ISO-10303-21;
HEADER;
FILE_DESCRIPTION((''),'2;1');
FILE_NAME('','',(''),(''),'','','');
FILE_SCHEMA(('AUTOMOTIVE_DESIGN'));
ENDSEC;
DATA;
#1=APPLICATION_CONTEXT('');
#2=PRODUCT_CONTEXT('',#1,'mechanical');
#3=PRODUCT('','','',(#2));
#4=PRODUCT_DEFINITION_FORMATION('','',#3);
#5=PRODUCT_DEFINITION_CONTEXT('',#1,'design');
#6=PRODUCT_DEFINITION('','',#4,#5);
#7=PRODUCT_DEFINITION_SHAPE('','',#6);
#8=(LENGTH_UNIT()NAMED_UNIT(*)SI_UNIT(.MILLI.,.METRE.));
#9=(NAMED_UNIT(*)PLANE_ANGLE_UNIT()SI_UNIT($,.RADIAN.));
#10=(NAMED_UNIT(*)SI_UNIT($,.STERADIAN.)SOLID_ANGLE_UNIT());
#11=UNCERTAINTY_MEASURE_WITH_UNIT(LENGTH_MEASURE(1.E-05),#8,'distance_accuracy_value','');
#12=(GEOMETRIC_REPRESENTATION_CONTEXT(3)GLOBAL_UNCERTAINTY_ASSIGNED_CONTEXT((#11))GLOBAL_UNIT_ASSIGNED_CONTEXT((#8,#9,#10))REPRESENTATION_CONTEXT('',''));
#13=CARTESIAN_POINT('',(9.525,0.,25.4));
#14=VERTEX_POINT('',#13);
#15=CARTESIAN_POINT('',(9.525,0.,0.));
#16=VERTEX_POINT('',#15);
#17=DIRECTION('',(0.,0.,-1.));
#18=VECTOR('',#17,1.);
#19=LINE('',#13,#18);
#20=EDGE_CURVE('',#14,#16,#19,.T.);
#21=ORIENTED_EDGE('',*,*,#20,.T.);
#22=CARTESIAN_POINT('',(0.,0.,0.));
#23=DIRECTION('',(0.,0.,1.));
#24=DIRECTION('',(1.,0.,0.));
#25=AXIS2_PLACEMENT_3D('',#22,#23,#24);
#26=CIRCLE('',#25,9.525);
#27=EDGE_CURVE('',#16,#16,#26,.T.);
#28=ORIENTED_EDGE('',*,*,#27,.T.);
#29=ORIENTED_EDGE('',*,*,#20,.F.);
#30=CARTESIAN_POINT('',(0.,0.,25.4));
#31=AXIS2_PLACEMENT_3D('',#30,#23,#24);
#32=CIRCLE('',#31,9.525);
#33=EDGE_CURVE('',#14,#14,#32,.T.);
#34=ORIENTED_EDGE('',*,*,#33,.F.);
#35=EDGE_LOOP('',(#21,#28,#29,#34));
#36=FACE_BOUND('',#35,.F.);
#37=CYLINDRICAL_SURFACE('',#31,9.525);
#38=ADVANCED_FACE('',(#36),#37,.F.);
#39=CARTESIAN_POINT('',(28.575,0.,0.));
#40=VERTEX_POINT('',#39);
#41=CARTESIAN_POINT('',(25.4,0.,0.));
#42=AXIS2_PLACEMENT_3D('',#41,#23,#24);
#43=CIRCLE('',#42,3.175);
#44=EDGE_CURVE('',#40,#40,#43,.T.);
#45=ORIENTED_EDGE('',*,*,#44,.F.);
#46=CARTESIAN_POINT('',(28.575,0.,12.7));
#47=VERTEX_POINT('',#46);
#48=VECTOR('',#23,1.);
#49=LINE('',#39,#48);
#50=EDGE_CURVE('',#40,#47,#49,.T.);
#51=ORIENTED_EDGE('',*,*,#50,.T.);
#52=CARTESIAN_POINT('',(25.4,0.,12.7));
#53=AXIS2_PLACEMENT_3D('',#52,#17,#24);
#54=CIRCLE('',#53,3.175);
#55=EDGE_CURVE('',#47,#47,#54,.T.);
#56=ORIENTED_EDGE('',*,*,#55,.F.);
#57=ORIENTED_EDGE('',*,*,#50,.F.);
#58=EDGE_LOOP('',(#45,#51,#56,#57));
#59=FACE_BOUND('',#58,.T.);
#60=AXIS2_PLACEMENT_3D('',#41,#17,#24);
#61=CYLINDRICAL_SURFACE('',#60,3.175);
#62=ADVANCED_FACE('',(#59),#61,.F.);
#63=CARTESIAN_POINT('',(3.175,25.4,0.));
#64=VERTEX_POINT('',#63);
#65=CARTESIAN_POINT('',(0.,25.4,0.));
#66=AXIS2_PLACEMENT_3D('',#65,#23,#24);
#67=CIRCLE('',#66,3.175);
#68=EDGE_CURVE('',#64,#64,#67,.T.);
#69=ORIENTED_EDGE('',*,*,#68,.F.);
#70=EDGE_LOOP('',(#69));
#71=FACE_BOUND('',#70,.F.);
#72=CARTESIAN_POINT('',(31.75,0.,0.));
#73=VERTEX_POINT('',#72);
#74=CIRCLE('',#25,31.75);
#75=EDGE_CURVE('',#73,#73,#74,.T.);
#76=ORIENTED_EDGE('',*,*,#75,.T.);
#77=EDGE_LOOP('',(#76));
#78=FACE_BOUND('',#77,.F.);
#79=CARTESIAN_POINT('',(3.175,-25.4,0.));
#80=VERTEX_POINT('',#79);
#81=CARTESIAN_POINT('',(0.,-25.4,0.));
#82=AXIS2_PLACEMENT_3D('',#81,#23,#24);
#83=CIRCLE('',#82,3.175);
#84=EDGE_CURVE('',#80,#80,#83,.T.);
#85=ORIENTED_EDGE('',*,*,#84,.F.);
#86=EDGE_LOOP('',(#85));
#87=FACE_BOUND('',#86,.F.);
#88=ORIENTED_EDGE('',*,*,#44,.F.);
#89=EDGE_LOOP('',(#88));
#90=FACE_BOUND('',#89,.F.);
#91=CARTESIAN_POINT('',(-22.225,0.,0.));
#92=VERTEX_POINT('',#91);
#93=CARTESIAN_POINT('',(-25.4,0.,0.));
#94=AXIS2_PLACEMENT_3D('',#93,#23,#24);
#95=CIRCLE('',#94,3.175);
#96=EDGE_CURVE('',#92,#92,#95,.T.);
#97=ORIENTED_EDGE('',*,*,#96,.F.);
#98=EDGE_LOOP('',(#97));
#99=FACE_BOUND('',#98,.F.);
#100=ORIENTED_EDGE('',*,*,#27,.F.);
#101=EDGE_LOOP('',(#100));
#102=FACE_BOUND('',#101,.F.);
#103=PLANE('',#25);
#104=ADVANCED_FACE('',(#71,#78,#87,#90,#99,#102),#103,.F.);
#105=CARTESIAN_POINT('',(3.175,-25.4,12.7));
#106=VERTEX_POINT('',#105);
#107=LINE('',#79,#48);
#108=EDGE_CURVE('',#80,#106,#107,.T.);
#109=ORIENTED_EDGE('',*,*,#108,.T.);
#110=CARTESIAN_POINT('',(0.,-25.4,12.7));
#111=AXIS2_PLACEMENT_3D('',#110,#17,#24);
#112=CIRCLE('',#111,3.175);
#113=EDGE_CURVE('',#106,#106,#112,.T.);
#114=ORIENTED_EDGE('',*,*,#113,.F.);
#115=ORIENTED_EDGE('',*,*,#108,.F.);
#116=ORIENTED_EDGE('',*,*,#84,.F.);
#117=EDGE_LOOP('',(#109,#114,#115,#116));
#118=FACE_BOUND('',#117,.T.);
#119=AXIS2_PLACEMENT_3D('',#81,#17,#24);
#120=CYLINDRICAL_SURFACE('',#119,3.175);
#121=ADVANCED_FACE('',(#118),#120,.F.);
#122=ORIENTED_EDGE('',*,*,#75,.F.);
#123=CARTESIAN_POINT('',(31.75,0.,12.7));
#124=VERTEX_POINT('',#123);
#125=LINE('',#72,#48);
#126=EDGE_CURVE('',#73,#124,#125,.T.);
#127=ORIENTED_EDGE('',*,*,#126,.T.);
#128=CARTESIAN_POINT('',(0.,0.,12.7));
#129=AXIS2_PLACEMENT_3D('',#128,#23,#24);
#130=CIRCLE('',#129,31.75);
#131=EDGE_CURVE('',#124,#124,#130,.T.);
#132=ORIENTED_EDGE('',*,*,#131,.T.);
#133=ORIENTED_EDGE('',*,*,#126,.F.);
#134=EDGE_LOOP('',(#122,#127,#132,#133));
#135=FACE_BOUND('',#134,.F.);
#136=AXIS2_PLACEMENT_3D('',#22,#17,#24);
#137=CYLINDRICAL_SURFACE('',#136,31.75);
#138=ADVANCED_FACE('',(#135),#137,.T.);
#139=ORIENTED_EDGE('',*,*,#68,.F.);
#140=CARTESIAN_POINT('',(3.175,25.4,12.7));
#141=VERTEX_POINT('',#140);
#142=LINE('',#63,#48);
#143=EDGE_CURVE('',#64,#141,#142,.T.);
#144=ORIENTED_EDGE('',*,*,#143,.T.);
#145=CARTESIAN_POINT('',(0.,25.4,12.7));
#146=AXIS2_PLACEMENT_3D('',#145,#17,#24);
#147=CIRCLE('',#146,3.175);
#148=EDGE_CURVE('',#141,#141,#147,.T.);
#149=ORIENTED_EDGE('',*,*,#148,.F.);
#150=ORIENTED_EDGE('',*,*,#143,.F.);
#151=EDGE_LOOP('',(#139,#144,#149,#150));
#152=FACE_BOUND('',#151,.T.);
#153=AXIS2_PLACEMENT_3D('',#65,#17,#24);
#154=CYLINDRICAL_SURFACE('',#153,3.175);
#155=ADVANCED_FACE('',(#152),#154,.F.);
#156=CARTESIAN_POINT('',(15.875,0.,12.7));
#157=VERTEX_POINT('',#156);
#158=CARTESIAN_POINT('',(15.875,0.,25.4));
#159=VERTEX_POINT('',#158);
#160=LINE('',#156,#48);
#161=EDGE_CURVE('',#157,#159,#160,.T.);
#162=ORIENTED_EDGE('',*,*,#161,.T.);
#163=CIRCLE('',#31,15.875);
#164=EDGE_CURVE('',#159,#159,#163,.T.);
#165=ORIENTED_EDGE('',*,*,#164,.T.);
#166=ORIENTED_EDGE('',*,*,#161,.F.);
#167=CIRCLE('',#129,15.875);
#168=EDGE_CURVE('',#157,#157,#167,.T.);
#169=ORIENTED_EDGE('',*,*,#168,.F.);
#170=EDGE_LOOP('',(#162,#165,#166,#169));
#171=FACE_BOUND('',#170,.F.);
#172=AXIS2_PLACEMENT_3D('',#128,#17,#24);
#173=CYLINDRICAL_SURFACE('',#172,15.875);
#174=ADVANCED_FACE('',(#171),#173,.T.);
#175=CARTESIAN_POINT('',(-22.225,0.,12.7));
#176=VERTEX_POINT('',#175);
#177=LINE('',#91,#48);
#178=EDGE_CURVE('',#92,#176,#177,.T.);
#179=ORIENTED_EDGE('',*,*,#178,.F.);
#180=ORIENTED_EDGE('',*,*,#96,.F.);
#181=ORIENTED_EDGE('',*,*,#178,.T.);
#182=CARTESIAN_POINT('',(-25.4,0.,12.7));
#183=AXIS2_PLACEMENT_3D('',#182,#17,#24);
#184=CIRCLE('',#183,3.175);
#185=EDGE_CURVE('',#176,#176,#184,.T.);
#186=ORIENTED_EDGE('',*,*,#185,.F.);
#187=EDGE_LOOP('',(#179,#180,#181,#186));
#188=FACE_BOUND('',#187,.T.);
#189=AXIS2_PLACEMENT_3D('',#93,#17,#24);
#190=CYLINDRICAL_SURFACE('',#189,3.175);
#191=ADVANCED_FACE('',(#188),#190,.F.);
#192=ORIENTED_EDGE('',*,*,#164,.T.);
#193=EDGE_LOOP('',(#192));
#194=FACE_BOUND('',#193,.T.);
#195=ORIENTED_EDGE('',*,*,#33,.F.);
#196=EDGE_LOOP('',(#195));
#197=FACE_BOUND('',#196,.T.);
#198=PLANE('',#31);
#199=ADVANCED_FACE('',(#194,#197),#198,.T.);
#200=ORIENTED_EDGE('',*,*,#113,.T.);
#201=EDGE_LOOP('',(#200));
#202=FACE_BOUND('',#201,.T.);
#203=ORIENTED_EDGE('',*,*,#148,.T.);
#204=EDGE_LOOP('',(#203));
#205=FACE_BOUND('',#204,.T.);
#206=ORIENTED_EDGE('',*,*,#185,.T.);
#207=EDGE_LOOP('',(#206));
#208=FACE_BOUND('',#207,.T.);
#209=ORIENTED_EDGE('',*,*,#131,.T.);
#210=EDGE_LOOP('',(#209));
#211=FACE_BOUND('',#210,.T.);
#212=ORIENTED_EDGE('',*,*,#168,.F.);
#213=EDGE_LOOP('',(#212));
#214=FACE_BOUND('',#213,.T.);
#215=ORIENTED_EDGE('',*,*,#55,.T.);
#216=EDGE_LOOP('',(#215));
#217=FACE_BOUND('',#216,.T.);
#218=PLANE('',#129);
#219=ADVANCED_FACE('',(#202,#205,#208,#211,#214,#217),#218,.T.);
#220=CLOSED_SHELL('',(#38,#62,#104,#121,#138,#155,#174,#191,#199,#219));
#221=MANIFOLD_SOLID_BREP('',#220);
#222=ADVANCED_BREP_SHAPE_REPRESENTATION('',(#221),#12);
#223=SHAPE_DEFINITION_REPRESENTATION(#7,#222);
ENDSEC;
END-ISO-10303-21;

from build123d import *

# Parameters (mm, degrees)
F0_R     = 31.75
F1_DEPTH = 12.7
F2_R     = 15.875
F3_DEPTH = 12.7
F4_R     = 3.175
F5_DEPTH = 25.4
F6_R     = 9.525
F7_DEPTH = 25.401


with BuildPart() as f1:
    # F0 (on Top) → F1 (new body)
    with BuildSketch(Plane.XY):
        Circle(F0_R)
    extrude(amount=F1_DEPTH)

    # F2 (on face) → F3 (join)
    with BuildSketch(Plane.XY.offset(12.7)):
        Circle(F2_R)
    extrude(amount=F3_DEPTH)

    # F4 (on Top) → F5 (cut)
    with BuildSketch(Plane.XY):
        with Locations((0, 25.4)):
            Circle(F4_R)
        with Locations((-25.4, 0)):
            Circle(F4_R)
        with Locations((25.4, 0)):
            Circle(F4_R)
        with Locations((0, -25.4)):
            Circle(F4_R)
    extrude(amount=F5_DEPTH, mode=Mode.SUBTRACT)

    # F6 (on face) → F7 (cut, through all)
    with BuildSketch(Plane.XY.offset(25.4)):
        Circle(F6_R)
    extrude(amount=-F7_DEPTH, mode=Mode.SUBTRACT)


solid = f1.part
